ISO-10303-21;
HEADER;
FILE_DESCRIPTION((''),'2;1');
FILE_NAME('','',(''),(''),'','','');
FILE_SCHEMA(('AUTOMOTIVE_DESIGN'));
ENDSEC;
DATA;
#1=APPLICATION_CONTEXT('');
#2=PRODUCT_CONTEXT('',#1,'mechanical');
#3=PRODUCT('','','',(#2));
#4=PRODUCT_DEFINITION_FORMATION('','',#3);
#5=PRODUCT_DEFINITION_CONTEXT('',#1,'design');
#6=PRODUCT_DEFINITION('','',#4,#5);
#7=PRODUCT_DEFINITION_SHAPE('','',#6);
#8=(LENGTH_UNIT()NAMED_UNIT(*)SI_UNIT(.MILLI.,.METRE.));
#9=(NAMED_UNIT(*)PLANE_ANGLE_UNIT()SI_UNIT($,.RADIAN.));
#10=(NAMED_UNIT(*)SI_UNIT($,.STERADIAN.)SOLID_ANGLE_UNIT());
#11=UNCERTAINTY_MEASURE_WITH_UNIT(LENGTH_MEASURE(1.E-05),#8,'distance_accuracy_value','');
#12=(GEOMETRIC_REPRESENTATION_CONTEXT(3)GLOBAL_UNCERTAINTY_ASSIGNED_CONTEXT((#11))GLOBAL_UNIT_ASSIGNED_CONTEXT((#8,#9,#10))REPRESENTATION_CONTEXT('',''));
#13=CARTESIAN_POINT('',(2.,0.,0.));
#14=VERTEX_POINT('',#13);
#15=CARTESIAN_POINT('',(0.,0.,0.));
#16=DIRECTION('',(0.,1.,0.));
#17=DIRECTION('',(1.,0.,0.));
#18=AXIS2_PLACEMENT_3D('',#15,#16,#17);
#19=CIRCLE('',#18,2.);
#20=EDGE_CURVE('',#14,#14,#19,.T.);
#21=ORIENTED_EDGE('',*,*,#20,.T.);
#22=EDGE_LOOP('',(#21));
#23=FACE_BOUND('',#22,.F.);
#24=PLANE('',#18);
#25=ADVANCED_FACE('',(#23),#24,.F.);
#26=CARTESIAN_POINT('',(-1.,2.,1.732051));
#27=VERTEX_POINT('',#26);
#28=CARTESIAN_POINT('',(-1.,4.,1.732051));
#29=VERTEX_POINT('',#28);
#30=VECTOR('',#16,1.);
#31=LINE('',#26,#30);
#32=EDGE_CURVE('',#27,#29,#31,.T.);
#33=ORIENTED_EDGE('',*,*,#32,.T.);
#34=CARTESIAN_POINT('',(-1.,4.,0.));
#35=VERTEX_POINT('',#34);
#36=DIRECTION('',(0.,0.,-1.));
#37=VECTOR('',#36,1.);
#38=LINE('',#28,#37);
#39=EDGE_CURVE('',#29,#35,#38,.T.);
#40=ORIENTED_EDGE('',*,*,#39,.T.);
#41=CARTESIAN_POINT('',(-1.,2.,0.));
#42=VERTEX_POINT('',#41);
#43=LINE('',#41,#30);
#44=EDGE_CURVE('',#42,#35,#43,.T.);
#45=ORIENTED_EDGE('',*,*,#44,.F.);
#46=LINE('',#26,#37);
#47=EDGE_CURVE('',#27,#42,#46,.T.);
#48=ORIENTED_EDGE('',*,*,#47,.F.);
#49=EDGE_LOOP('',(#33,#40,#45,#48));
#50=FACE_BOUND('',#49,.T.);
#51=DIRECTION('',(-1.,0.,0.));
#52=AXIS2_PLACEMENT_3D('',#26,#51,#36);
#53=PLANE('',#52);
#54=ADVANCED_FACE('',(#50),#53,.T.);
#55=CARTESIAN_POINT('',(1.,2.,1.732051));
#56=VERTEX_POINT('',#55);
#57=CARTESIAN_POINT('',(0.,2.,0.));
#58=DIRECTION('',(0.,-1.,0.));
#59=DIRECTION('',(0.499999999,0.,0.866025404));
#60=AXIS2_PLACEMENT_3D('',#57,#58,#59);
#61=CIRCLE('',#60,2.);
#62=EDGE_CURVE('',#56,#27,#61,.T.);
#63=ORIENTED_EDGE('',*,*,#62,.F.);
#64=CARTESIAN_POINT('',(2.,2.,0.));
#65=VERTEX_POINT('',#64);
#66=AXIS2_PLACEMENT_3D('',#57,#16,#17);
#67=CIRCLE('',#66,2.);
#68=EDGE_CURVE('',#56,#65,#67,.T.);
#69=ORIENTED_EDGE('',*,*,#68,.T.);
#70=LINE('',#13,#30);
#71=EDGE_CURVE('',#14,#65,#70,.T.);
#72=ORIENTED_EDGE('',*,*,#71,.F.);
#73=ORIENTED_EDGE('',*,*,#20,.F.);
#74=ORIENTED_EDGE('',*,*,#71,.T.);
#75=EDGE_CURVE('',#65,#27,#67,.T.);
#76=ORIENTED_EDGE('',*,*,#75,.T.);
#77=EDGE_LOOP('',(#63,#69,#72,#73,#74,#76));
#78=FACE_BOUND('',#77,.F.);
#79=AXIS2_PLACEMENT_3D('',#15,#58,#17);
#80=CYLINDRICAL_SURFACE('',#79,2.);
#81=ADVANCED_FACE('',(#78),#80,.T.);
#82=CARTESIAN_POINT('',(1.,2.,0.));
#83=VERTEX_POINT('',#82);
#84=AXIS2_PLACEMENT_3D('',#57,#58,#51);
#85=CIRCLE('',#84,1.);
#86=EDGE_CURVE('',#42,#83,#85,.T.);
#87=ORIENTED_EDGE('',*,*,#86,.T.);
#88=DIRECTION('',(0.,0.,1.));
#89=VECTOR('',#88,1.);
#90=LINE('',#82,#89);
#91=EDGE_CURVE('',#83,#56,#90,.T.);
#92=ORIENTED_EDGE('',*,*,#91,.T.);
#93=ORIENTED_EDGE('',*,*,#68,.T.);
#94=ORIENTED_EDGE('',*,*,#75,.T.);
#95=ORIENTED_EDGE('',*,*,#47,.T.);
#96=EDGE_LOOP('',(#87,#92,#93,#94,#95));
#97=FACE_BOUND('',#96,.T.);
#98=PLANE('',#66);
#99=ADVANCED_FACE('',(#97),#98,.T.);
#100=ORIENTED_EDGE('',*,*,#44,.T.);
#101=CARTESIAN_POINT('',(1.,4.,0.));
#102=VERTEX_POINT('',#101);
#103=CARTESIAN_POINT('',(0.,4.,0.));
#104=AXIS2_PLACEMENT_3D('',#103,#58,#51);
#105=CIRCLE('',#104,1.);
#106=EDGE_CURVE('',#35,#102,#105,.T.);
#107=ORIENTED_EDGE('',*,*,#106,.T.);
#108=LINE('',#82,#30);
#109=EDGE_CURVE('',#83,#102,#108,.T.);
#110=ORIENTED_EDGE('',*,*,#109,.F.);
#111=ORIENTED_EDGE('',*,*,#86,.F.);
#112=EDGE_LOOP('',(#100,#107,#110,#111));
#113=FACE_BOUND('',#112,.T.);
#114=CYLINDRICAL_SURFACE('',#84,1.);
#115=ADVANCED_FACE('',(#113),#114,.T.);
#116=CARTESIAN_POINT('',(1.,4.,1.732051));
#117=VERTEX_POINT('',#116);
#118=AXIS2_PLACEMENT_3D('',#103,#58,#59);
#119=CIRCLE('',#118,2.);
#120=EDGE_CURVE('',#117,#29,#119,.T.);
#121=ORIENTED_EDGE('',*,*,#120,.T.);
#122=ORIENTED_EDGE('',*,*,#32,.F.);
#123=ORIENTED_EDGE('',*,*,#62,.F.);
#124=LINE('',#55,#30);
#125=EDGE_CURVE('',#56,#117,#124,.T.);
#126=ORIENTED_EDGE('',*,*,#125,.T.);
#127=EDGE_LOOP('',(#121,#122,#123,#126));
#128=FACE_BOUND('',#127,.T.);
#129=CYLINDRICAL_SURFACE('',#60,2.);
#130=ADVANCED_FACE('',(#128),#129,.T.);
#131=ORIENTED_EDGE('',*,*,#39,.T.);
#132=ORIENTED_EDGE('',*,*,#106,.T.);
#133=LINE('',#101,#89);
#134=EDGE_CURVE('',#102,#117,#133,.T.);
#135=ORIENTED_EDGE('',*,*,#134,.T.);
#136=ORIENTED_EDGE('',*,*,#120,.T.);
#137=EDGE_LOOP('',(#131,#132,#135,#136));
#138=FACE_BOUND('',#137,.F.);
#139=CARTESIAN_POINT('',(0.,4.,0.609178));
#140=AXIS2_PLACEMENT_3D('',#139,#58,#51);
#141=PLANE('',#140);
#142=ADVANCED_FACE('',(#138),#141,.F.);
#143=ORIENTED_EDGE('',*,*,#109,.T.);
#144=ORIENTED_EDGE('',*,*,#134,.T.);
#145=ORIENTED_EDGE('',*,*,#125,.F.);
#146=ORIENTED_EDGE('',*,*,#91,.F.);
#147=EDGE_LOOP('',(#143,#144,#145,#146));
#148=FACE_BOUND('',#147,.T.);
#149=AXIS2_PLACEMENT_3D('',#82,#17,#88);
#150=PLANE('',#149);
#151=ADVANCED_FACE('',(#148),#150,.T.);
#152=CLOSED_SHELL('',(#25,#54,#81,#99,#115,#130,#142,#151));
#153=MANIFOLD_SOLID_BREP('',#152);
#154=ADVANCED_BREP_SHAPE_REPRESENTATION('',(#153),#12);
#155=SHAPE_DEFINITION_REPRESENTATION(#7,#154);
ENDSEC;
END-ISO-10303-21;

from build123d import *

# Parameters (mm, degrees)
SKETCH1_R           = 2
BOSS_EXTRUDE1_DEPTH = 2
BOSS_EXTRUDE2_DEPTH = 2


with BuildPart() as part:
    # Sketch1 → Boss-Extrude1 (new body)
    with BuildSketch(Plane(origin=(0, 0, 0), x_dir=(1, 0, 0), z_dir=(0, 1, 0))):
        Circle(SKETCH1_R)
    extrude(amount=BOSS_EXTRUDE1_DEPTH)

    # Sketch2 → Boss-Extrude2 (add)
    with BuildSketch(Plane(origin=(0, 2, 0), x_dir=(1, 0, 0), z_dir=(0, 1, 0))):
        with BuildLine():
            Line((-1, -1.732050808), (-1, 0))
            ThreePointArc((-1, 0), (0, 1), (1, 0))
            Line((1, 0), (1, -1.732050808))
            ThreePointArc((1, -1.732050808), (0, -2), (-1, -1.732050808))
        make_face()
    extrude(amount=BOSS_EXTRUDE2_DEPTH)


solid = part.part
